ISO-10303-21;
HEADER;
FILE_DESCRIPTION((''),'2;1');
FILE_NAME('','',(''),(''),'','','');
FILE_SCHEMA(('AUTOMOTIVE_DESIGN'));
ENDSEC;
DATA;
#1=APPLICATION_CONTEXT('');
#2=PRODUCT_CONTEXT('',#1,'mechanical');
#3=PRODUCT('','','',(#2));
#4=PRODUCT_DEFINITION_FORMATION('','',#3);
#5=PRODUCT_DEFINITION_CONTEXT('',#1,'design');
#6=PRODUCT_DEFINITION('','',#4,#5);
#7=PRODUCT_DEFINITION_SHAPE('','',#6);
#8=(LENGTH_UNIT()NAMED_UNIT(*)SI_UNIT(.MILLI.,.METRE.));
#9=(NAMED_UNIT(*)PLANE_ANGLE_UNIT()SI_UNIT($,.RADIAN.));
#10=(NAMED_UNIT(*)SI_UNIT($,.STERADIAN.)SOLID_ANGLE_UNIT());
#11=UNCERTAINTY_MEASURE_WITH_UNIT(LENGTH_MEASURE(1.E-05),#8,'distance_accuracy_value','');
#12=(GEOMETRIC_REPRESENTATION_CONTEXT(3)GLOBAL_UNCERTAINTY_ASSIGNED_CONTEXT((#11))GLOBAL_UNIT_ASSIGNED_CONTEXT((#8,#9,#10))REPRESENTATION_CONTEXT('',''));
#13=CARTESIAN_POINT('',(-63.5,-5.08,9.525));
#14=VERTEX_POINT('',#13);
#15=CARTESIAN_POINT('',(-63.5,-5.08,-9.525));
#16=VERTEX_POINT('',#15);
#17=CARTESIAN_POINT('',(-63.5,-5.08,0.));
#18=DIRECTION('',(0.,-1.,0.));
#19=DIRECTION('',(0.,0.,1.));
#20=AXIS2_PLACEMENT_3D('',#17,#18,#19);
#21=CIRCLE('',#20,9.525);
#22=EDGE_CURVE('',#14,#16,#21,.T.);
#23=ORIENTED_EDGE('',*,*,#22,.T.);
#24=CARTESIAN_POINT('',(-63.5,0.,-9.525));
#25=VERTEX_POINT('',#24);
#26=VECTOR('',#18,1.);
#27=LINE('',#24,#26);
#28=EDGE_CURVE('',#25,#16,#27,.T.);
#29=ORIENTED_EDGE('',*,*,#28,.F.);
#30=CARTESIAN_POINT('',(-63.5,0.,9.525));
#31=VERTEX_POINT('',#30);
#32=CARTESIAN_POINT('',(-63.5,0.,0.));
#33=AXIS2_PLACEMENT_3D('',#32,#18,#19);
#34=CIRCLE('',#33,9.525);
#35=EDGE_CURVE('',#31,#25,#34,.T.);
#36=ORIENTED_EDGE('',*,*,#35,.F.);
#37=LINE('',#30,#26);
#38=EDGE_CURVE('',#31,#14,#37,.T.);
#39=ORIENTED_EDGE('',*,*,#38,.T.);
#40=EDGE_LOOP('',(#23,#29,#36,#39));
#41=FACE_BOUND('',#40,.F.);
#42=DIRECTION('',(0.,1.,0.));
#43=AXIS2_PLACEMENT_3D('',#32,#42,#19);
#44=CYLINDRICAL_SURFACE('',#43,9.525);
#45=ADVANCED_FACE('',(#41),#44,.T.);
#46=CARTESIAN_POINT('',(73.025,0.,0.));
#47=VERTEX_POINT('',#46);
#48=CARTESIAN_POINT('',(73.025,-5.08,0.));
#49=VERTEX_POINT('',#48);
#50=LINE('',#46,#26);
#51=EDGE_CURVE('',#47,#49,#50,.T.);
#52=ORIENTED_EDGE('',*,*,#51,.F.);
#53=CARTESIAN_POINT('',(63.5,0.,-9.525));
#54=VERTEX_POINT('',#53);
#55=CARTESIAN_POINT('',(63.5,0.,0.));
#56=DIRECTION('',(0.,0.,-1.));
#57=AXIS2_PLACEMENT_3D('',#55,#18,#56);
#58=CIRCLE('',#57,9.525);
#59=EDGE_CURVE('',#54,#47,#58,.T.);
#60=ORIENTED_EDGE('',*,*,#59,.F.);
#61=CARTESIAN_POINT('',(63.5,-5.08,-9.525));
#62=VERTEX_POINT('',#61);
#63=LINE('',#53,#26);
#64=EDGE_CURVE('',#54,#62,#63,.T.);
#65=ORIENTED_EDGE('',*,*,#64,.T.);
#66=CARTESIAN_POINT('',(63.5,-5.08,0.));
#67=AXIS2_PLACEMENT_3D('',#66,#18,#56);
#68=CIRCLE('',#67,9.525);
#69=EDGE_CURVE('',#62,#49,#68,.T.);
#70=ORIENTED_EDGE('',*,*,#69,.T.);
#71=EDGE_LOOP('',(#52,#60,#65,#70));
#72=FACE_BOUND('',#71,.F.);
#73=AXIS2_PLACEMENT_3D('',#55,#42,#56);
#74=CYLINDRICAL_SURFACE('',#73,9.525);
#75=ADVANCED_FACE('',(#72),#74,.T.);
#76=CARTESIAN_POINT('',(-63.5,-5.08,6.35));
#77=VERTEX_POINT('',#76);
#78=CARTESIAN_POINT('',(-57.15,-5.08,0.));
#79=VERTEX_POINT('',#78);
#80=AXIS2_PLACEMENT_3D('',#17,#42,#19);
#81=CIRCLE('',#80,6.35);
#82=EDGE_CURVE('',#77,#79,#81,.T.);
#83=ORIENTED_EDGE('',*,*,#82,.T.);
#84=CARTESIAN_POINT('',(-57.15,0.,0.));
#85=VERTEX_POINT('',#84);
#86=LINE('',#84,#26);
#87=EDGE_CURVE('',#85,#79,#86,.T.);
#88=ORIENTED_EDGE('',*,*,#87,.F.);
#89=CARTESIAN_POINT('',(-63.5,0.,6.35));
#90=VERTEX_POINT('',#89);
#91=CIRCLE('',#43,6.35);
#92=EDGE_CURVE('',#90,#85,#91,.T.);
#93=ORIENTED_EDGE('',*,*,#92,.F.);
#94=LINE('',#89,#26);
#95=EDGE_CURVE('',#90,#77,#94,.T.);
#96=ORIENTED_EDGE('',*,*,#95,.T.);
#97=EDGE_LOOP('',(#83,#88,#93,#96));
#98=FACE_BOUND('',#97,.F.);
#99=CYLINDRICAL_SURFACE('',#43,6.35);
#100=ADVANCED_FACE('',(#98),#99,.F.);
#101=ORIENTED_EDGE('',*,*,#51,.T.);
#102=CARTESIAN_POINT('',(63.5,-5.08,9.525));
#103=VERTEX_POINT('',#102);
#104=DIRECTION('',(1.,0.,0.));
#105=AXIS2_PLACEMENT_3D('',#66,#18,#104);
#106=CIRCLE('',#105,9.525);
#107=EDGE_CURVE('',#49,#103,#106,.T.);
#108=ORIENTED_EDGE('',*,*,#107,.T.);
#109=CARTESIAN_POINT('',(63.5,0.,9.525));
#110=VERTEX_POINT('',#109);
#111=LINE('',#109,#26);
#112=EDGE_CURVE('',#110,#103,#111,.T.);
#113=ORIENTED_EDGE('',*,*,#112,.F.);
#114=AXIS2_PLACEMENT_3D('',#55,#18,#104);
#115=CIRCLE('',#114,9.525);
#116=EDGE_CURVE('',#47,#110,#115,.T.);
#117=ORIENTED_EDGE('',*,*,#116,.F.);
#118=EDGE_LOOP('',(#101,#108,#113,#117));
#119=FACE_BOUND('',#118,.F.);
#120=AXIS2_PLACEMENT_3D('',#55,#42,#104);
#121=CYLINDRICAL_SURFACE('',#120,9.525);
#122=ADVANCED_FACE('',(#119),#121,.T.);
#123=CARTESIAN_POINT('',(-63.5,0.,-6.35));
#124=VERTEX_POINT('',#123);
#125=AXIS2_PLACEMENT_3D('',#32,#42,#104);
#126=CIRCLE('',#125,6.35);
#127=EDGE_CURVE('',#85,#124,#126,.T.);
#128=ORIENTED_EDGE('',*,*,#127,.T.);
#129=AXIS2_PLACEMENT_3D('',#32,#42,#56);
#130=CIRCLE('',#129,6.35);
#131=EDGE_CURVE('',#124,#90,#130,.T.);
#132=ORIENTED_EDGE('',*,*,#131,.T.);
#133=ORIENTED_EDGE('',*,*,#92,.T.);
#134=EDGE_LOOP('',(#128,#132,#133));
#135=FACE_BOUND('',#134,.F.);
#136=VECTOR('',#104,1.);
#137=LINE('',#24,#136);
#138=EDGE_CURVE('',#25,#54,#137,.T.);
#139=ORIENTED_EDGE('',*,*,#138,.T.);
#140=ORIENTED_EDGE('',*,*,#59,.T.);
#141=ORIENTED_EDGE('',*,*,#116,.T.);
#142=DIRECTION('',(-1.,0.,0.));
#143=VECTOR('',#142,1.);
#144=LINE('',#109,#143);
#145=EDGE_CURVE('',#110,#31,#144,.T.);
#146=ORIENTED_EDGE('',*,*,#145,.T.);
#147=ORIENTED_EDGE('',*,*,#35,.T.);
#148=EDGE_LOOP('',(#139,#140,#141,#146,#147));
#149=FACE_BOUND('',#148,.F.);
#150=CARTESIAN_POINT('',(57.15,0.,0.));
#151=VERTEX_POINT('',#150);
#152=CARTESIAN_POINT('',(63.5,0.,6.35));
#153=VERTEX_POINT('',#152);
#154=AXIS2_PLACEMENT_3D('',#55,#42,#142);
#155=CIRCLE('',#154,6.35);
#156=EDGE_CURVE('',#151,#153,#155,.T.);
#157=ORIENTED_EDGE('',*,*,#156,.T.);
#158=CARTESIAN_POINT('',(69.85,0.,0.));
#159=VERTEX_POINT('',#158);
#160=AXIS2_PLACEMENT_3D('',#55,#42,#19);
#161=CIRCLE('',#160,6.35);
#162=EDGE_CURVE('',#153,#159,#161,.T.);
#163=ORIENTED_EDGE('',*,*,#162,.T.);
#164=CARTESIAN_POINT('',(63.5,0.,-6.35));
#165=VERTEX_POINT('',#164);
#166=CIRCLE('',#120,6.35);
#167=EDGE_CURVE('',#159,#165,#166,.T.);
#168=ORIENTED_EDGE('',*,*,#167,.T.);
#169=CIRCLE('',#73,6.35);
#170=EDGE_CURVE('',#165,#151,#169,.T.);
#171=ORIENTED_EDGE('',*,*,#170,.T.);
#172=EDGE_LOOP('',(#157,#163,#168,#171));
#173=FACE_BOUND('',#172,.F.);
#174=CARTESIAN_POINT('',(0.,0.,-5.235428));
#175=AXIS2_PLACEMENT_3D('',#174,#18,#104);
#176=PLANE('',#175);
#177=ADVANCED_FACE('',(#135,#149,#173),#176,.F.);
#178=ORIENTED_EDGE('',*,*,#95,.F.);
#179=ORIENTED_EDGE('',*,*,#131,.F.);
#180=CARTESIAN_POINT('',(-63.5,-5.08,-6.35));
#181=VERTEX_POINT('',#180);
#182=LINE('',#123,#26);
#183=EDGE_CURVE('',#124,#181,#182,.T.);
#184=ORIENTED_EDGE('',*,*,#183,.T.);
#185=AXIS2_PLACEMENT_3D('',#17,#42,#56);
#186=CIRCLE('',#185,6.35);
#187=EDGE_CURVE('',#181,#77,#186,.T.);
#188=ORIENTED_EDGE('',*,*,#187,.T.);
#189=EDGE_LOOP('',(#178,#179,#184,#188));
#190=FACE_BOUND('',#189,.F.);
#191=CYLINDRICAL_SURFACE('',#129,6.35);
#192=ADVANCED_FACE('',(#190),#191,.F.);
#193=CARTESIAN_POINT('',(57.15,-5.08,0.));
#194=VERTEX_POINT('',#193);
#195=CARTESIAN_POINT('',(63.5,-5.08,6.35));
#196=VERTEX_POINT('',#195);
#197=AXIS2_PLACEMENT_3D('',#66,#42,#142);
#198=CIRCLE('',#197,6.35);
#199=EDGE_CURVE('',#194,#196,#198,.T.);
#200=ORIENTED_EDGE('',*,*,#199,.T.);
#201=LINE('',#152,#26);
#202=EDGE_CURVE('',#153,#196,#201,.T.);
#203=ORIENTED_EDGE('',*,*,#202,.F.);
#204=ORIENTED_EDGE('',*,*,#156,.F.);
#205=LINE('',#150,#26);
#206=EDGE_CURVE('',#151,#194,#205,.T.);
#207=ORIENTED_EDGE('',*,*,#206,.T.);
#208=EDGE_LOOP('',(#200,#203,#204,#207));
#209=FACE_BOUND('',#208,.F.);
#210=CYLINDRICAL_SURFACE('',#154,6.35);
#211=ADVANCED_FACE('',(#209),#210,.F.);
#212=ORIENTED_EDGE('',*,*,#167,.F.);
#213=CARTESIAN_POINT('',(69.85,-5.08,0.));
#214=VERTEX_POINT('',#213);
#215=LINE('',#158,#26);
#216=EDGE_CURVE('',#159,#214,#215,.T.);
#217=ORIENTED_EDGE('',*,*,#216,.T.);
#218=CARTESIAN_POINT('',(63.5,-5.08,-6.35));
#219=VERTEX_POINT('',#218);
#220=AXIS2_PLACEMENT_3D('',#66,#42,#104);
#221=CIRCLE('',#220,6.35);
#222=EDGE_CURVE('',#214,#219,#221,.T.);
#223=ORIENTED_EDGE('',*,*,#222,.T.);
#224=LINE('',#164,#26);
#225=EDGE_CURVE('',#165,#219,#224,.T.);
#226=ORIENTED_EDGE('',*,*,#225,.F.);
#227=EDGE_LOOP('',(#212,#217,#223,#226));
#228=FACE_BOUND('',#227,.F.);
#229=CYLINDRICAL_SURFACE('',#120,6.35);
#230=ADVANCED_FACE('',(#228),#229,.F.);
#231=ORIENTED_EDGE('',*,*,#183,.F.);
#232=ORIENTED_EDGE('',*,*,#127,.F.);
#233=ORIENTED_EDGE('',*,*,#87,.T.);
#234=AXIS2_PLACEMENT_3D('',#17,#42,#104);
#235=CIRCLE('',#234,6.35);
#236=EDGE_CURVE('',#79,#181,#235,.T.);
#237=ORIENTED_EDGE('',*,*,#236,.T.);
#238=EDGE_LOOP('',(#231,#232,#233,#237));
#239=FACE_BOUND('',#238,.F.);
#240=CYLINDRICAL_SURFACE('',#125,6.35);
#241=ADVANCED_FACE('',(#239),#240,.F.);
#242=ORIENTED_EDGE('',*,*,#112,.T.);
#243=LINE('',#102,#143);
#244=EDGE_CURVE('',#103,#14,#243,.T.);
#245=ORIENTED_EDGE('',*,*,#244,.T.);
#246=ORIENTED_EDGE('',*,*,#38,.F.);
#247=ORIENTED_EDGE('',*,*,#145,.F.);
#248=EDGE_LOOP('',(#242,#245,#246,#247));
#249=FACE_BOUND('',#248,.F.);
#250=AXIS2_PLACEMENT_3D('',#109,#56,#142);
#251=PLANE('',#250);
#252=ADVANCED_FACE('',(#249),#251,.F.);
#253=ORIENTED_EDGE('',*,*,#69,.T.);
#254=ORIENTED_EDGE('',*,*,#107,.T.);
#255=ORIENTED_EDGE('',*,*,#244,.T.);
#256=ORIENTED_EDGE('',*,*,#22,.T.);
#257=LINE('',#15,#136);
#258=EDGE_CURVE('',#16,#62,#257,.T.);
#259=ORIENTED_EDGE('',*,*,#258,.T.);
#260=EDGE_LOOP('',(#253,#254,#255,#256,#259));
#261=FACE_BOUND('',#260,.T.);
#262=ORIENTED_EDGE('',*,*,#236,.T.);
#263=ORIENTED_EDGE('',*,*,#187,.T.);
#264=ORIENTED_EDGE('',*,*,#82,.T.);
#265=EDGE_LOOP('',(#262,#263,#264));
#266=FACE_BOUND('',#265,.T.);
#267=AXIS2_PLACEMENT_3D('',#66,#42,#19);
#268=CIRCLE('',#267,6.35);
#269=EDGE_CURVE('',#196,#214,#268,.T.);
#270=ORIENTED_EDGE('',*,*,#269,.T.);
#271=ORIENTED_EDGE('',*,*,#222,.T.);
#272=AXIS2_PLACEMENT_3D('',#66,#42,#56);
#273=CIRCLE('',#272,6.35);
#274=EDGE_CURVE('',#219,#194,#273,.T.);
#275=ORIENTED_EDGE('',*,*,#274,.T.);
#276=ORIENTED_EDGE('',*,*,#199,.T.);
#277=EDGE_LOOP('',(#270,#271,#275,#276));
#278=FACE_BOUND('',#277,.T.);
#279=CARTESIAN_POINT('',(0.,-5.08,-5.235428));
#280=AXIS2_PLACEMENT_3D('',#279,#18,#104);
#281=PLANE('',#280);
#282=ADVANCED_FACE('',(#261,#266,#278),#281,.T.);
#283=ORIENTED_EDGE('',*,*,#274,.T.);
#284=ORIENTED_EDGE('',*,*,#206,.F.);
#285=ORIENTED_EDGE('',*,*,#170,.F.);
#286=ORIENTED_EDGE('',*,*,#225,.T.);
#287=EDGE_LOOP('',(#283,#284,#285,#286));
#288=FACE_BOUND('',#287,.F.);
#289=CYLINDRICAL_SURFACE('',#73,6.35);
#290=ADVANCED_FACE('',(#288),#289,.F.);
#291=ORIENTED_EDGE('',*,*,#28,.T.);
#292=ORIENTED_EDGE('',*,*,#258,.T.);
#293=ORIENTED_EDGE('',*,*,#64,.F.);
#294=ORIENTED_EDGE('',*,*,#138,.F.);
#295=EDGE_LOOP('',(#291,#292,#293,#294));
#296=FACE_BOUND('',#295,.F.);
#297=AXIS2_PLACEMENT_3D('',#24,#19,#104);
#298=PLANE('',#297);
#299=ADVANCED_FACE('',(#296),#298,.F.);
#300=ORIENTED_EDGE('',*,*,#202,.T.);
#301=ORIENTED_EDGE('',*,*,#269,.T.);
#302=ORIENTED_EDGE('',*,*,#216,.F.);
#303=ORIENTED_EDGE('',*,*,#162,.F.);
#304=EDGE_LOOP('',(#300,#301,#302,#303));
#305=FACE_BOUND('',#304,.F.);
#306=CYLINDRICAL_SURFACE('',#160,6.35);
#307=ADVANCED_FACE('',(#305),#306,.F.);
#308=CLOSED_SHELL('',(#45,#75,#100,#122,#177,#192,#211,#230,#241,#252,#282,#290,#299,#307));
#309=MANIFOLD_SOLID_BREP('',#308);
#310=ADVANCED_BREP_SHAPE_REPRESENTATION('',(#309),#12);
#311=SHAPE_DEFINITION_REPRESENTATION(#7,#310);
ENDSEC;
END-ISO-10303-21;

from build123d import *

# Parameters (mm, degrees)
F1_DEPTH = 5.08


with BuildPart() as f1:
    # F0 (on Front) → F1 (new body)
    with BuildSketch(Plane.XZ):
        with BuildLine():
            Line((53.975, 0), (0, 0))
            Line((0, 0), (-53.975, 0))
            ThreePointArc((-53.975, 0), (-56.7648079092, -6.7351920908), (-63.5, -9.525))
            Line((-63.5, -9.525), (63.5, -9.525))
            ThreePointArc((63.5, -9.525), (56.7648079092, -6.7351920908), (53.975, 0))
        make_face()
        with BuildLine():
            Line((-53.975, 0), (0, 0))
            Line((0, 0), (53.975, 0))
            ThreePointArc((53.975, 0), (56.7648079092, 6.7351920908), (63.5, 9.525))
            Line((63.5, 9.525), (-63.5, 9.525))
            ThreePointArc((-63.5, 9.525), (-56.7648079092, 6.7351920908), (-53.975, 0))
        make_face()
        with BuildLine():
            ThreePointArc((-63.5, -9.525), (-56.7648079092, -6.7351920908), (-53.975, 0))
            Line((-53.975, 0), (-57.15, 0))
            ThreePointArc((-57.15, 0), (-59.0098719395, -4.4901280605), (-63.5, -6.35))
            Line((-63.5, -6.35), (-63.5, -9.525))
        make_face()
        with BuildLine():
            Line((-57.15, 0), (-53.975, 0))
            ThreePointArc((-53.975, 0), (-56.7648079092, 6.7351920908), (-63.5, 9.525))
            Line((-63.5, 9.525), (-63.5, 6.35))
            ThreePointArc((-63.5, 6.35), (-59.0098719395, 4.4901280605), (-57.15, 0))
        make_face()
        with BuildLine():
            ThreePointArc((63.5, 9.525), (56.7648079092, 6.7351920908), (53.975, 0))
            Line((53.975, 0), (57.15, 0))
            ThreePointArc((57.15, 0), (59.0098719395, 4.4901280605), (63.5, 6.35))
            Line((63.5, 6.35), (63.5, 9.525))
        make_face()
        with BuildLine():
            Line((57.15, 0), (53.975, 0))
            ThreePointArc((53.975, 0), (56.7648079092, -6.7351920908), (63.5, -9.525))
            Line((63.5, -9.525), (63.5, -6.35))
            ThreePointArc((63.5, -6.35), (59.0098719395, -4.4901280605), (57.15, 0))
        make_face()
        with BuildLine():
            Line((-63.5, 6.35), (-63.5, 9.525))
            ThreePointArc((-63.5, 9.525), (-73.025, 0), (-63.5, -9.525))
            Line((-63.5, -9.525), (-63.5, -6.35))
            ThreePointArc((-63.5, -6.35), (-69.85, 0), (-63.5, 6.35))
        make_face()
        with BuildLine():
            ThreePointArc((73.025, 0), (70.2351920908, 6.7351920908), (63.5, 9.525))
            Line((63.5, 9.525), (63.5, 6.35))
            ThreePointArc((63.5, 6.35), (67.9901280605, 4.4901280605), (69.85, 0))
            ThreePointArc((69.85, 0), (67.9901280605, -4.4901280605), (63.5, -6.35))
            Line((63.5, -6.35), (63.5, -9.525))
            ThreePointArc((63.5, -9.525), (70.2351920908, -6.7351920908), (73.025, 0))
        make_face()
    extrude(amount=F1_DEPTH)


solid = f1.part
